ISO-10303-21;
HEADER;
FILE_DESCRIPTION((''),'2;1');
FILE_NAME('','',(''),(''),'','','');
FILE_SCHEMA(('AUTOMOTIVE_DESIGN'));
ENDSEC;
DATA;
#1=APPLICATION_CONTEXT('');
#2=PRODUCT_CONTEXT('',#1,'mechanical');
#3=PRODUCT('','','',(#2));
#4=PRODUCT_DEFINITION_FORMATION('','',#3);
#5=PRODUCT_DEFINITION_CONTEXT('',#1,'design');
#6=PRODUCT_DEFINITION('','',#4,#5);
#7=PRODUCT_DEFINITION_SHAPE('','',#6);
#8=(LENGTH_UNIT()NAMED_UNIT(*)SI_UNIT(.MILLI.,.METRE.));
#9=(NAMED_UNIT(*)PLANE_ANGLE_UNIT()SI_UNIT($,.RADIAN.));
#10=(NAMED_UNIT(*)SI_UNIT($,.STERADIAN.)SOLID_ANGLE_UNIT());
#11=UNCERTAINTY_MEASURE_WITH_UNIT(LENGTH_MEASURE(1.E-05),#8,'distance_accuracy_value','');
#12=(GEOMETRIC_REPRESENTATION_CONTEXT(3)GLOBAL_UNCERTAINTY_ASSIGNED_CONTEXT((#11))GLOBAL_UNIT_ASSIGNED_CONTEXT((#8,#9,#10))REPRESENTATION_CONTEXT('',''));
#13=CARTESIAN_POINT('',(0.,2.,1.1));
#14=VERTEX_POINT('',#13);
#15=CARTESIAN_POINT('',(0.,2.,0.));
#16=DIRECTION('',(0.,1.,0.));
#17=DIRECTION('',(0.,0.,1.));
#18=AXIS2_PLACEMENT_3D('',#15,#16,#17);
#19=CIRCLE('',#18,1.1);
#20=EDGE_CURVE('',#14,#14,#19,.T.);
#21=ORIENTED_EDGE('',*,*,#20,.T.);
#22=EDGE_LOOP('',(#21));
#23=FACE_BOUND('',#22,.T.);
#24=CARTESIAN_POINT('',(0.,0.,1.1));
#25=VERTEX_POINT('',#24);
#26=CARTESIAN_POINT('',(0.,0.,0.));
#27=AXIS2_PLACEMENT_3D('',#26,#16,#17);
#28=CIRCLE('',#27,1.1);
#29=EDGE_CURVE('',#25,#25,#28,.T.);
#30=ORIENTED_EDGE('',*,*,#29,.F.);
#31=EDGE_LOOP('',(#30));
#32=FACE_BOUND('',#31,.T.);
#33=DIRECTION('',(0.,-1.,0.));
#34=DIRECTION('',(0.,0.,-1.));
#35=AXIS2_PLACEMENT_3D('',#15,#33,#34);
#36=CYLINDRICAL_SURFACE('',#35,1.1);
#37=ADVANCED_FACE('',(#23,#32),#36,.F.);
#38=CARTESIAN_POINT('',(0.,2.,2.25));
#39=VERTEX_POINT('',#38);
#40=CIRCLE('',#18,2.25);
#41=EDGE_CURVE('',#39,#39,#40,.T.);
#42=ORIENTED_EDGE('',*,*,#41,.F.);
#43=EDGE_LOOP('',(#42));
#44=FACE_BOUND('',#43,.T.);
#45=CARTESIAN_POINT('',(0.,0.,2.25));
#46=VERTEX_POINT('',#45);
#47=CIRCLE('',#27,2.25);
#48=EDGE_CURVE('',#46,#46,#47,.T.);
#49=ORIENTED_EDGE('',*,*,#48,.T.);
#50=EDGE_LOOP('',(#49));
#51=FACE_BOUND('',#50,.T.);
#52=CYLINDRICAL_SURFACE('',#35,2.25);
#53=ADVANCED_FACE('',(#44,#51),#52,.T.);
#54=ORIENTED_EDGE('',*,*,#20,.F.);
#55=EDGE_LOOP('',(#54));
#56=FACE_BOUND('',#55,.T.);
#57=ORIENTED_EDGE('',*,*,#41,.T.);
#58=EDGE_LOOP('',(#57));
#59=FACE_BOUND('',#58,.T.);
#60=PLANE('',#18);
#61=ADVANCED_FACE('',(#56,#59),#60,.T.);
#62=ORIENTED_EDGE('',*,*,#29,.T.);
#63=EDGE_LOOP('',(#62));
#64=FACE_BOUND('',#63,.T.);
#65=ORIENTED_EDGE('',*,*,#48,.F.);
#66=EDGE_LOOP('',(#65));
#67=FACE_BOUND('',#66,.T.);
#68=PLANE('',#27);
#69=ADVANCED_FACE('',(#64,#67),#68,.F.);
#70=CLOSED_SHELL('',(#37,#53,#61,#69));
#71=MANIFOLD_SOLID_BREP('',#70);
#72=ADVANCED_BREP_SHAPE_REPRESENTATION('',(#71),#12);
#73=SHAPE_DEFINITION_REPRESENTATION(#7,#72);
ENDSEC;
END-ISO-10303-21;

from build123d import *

# Parameters (mm, degrees)
SKIZZE1_R                       = 2.25
SKIZZE1_R_2                     = 1.1
AUFSATZ_LINEAR_AUSTRAGEN1_DEPTH = 2


with BuildPart() as part:
    # Skizze1 → Aufsatz-Linear austragen1 (new body)
    with BuildSketch(Plane(origin=(0, 0, 0), x_dir=(1, 0, 0), z_dir=(0, 1, 0))):
        Circle(SKIZZE1_R)
        Circle(SKIZZE1_R_2, mode=Mode.SUBTRACT)
    extrude(amount=AUFSATZ_LINEAR_AUSTRAGEN1_DEPTH)


solid = part.part
